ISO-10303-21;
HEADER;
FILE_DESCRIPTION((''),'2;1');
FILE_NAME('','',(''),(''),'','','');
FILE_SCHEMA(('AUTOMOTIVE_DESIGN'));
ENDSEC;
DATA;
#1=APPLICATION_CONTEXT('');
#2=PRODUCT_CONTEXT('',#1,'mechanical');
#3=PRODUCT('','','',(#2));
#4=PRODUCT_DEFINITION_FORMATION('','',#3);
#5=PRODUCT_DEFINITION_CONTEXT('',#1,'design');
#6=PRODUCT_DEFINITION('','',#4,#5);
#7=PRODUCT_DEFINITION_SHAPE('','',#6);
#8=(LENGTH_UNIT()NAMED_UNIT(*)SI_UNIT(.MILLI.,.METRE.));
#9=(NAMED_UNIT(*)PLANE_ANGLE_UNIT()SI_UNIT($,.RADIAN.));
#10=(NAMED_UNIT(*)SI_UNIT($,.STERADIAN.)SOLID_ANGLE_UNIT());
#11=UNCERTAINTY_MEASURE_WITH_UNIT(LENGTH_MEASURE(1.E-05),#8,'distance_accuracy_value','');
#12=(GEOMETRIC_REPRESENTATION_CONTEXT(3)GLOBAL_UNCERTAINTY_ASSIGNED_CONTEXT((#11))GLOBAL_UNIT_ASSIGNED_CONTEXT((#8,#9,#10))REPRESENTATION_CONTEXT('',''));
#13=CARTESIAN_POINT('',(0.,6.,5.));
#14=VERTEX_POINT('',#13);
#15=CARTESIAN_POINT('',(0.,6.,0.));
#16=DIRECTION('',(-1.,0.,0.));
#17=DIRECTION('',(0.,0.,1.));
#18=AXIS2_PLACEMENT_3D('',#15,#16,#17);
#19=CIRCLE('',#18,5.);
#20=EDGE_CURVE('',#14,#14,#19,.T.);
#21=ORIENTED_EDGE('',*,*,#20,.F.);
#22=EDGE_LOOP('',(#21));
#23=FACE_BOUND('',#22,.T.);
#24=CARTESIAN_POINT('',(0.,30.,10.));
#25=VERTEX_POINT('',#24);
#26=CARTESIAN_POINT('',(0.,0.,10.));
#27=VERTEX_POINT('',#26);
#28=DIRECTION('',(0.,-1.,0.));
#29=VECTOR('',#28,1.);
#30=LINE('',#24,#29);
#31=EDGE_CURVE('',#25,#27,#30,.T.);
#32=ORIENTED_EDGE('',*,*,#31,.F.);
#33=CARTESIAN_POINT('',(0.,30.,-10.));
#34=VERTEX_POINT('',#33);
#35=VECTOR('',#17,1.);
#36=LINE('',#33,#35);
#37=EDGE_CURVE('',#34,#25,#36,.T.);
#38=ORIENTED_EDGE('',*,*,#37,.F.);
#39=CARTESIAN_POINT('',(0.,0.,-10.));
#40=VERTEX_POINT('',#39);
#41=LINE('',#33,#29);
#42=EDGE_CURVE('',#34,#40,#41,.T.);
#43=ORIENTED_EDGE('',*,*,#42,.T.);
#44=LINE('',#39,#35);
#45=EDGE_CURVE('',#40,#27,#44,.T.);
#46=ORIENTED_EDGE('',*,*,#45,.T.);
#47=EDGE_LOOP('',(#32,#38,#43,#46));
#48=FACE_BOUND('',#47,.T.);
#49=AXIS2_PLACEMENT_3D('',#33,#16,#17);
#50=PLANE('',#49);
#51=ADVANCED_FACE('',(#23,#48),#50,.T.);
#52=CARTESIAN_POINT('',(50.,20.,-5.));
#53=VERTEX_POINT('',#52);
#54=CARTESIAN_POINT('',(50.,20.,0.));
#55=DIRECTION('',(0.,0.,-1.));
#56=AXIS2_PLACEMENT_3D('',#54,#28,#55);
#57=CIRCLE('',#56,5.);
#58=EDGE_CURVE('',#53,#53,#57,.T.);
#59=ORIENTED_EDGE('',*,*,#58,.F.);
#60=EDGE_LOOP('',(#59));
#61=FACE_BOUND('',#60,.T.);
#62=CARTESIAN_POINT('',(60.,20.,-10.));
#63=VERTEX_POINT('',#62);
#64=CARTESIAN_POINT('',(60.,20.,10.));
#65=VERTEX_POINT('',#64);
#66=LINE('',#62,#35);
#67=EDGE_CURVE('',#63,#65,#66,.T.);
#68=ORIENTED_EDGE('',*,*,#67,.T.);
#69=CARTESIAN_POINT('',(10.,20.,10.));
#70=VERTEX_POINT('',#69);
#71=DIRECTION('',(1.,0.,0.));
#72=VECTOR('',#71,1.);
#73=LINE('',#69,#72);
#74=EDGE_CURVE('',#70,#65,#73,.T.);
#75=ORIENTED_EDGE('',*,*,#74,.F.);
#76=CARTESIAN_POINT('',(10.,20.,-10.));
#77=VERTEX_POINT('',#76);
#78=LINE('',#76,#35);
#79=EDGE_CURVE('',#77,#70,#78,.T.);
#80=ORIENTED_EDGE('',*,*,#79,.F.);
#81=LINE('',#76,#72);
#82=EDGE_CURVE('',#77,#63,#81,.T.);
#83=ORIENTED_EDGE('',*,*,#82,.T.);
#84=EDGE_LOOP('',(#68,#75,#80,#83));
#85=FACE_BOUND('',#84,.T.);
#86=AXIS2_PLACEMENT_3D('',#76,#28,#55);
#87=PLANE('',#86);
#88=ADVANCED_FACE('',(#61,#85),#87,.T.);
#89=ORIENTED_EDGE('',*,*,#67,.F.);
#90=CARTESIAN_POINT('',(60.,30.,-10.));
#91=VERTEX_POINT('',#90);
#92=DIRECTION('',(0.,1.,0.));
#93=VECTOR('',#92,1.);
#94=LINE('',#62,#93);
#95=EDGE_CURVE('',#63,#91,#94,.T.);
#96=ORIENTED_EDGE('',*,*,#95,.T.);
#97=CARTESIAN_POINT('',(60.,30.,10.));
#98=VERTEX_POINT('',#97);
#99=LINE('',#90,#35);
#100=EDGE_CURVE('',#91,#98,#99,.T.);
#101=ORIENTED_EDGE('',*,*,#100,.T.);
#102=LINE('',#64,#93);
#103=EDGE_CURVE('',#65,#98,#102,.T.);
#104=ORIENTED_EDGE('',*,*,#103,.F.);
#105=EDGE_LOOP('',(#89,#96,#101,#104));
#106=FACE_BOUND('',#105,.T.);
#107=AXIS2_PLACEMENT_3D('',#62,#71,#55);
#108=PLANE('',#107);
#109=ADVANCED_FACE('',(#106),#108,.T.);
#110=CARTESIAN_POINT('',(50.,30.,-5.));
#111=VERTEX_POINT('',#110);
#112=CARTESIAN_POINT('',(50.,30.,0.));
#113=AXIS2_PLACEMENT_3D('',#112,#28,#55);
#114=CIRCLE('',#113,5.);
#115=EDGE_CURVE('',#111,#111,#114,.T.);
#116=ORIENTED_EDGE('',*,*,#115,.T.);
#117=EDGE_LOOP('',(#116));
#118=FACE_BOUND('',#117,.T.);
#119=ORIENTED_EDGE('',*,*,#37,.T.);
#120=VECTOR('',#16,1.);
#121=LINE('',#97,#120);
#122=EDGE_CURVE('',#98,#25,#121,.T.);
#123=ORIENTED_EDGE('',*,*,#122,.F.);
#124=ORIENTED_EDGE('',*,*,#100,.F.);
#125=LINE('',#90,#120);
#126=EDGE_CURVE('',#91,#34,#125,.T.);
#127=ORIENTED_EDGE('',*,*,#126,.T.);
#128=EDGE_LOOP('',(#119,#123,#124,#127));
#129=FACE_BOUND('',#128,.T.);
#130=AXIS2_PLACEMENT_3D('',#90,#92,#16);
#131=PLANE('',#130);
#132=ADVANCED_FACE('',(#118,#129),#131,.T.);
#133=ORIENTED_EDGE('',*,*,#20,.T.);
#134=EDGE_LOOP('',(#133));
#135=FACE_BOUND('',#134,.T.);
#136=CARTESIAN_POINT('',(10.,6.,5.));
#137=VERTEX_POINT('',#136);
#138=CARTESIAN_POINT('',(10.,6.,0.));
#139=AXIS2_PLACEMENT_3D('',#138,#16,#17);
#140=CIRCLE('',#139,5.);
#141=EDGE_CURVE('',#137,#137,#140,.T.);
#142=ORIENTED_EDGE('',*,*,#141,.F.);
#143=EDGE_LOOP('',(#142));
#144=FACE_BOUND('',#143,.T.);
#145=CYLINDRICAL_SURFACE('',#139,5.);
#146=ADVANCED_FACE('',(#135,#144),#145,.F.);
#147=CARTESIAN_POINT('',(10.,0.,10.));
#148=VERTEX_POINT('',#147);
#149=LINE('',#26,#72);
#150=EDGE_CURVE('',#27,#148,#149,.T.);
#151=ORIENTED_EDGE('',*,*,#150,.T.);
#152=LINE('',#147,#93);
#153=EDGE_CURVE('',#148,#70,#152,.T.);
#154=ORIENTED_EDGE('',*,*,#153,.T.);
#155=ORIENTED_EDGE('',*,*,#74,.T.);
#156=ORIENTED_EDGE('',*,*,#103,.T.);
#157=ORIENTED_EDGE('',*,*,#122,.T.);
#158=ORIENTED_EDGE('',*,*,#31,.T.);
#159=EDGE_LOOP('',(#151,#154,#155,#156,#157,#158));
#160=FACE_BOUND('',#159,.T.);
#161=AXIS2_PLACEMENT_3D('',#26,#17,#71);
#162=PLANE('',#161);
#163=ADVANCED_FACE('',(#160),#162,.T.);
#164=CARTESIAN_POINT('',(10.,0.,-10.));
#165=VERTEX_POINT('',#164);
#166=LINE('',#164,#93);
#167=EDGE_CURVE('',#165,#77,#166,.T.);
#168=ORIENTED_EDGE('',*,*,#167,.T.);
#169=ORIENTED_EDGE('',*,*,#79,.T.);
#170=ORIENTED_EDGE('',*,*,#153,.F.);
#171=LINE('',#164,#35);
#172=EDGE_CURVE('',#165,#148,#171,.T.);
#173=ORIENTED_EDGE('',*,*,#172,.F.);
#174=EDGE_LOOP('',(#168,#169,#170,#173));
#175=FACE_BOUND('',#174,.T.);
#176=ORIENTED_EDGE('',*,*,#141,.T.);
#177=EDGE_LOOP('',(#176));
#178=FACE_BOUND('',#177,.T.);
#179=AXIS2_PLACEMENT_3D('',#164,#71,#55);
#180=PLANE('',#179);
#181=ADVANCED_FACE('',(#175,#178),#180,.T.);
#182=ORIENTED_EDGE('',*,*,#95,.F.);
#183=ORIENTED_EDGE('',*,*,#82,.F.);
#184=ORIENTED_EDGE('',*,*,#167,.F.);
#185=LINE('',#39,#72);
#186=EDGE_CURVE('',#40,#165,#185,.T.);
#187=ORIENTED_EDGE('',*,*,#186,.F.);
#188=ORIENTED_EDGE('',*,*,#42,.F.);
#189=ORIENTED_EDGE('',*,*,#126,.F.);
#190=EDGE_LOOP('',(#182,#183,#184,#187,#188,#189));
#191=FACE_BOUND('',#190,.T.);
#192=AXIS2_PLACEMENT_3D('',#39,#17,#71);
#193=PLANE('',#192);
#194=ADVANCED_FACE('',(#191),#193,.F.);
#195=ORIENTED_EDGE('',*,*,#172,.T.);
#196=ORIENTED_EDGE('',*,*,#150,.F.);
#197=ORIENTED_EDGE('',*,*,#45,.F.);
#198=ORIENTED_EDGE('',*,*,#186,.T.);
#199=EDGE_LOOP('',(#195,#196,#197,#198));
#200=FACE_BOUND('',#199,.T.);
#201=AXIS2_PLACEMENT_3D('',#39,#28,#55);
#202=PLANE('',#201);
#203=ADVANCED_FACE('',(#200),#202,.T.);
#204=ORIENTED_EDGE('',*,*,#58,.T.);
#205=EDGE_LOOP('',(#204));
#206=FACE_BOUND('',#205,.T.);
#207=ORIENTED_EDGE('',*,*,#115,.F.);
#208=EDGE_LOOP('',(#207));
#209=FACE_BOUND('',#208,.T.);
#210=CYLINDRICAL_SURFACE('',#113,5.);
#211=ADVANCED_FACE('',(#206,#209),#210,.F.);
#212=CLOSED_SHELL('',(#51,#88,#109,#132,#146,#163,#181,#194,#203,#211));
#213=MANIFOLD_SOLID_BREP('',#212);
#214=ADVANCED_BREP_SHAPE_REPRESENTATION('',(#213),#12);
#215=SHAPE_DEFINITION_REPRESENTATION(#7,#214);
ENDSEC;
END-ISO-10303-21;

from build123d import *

# Parameters (mm, degrees)
BOSS_EXTRU_1_DEPTH      = 10
BOSS_EXTRU_1_DEPTH_BACK = 10
ESQUISSE2_R             = 5
ENL_V_MAT_EXTRU_1_DEPTH = 10
ESQUISSE3_R             = 5
ENL_V_MAT_EXTRU_2_DEPTH = 10


with BuildPart() as part:
    # Esquisse1 → Boss.-Extru.1 (new, two sides: drawn at the far end of the back side and taken through both)
    with BuildSketch(Plane.XY.offset(-BOSS_EXTRU_1_DEPTH_BACK)):
        Polygon((0, 0), (10, 0), (10, 20), (60, 20), (60, 30), (0, 30), align=None)
    extrude(amount=BOSS_EXTRU_1_DEPTH + BOSS_EXTRU_1_DEPTH_BACK)

    # Esquisse2 → Enlèv. mat.-Extru.1 (cut)
    with BuildSketch(Plane.XZ.offset(-20)):
        with Locations((50, 0)):
            Circle(ESQUISSE2_R)
    extrude(amount=-ENL_V_MAT_EXTRU_1_DEPTH, mode=Mode.SUBTRACT)

    # Esquisse3 → Enlèv. mat.-Extru.2 (cut)
    with BuildSketch(Plane.ZY):
        with Locations((0, 6)):
            Circle(ESQUISSE3_R)
    extrude(amount=-ENL_V_MAT_EXTRU_2_DEPTH, mode=Mode.SUBTRACT)


solid = part.part
